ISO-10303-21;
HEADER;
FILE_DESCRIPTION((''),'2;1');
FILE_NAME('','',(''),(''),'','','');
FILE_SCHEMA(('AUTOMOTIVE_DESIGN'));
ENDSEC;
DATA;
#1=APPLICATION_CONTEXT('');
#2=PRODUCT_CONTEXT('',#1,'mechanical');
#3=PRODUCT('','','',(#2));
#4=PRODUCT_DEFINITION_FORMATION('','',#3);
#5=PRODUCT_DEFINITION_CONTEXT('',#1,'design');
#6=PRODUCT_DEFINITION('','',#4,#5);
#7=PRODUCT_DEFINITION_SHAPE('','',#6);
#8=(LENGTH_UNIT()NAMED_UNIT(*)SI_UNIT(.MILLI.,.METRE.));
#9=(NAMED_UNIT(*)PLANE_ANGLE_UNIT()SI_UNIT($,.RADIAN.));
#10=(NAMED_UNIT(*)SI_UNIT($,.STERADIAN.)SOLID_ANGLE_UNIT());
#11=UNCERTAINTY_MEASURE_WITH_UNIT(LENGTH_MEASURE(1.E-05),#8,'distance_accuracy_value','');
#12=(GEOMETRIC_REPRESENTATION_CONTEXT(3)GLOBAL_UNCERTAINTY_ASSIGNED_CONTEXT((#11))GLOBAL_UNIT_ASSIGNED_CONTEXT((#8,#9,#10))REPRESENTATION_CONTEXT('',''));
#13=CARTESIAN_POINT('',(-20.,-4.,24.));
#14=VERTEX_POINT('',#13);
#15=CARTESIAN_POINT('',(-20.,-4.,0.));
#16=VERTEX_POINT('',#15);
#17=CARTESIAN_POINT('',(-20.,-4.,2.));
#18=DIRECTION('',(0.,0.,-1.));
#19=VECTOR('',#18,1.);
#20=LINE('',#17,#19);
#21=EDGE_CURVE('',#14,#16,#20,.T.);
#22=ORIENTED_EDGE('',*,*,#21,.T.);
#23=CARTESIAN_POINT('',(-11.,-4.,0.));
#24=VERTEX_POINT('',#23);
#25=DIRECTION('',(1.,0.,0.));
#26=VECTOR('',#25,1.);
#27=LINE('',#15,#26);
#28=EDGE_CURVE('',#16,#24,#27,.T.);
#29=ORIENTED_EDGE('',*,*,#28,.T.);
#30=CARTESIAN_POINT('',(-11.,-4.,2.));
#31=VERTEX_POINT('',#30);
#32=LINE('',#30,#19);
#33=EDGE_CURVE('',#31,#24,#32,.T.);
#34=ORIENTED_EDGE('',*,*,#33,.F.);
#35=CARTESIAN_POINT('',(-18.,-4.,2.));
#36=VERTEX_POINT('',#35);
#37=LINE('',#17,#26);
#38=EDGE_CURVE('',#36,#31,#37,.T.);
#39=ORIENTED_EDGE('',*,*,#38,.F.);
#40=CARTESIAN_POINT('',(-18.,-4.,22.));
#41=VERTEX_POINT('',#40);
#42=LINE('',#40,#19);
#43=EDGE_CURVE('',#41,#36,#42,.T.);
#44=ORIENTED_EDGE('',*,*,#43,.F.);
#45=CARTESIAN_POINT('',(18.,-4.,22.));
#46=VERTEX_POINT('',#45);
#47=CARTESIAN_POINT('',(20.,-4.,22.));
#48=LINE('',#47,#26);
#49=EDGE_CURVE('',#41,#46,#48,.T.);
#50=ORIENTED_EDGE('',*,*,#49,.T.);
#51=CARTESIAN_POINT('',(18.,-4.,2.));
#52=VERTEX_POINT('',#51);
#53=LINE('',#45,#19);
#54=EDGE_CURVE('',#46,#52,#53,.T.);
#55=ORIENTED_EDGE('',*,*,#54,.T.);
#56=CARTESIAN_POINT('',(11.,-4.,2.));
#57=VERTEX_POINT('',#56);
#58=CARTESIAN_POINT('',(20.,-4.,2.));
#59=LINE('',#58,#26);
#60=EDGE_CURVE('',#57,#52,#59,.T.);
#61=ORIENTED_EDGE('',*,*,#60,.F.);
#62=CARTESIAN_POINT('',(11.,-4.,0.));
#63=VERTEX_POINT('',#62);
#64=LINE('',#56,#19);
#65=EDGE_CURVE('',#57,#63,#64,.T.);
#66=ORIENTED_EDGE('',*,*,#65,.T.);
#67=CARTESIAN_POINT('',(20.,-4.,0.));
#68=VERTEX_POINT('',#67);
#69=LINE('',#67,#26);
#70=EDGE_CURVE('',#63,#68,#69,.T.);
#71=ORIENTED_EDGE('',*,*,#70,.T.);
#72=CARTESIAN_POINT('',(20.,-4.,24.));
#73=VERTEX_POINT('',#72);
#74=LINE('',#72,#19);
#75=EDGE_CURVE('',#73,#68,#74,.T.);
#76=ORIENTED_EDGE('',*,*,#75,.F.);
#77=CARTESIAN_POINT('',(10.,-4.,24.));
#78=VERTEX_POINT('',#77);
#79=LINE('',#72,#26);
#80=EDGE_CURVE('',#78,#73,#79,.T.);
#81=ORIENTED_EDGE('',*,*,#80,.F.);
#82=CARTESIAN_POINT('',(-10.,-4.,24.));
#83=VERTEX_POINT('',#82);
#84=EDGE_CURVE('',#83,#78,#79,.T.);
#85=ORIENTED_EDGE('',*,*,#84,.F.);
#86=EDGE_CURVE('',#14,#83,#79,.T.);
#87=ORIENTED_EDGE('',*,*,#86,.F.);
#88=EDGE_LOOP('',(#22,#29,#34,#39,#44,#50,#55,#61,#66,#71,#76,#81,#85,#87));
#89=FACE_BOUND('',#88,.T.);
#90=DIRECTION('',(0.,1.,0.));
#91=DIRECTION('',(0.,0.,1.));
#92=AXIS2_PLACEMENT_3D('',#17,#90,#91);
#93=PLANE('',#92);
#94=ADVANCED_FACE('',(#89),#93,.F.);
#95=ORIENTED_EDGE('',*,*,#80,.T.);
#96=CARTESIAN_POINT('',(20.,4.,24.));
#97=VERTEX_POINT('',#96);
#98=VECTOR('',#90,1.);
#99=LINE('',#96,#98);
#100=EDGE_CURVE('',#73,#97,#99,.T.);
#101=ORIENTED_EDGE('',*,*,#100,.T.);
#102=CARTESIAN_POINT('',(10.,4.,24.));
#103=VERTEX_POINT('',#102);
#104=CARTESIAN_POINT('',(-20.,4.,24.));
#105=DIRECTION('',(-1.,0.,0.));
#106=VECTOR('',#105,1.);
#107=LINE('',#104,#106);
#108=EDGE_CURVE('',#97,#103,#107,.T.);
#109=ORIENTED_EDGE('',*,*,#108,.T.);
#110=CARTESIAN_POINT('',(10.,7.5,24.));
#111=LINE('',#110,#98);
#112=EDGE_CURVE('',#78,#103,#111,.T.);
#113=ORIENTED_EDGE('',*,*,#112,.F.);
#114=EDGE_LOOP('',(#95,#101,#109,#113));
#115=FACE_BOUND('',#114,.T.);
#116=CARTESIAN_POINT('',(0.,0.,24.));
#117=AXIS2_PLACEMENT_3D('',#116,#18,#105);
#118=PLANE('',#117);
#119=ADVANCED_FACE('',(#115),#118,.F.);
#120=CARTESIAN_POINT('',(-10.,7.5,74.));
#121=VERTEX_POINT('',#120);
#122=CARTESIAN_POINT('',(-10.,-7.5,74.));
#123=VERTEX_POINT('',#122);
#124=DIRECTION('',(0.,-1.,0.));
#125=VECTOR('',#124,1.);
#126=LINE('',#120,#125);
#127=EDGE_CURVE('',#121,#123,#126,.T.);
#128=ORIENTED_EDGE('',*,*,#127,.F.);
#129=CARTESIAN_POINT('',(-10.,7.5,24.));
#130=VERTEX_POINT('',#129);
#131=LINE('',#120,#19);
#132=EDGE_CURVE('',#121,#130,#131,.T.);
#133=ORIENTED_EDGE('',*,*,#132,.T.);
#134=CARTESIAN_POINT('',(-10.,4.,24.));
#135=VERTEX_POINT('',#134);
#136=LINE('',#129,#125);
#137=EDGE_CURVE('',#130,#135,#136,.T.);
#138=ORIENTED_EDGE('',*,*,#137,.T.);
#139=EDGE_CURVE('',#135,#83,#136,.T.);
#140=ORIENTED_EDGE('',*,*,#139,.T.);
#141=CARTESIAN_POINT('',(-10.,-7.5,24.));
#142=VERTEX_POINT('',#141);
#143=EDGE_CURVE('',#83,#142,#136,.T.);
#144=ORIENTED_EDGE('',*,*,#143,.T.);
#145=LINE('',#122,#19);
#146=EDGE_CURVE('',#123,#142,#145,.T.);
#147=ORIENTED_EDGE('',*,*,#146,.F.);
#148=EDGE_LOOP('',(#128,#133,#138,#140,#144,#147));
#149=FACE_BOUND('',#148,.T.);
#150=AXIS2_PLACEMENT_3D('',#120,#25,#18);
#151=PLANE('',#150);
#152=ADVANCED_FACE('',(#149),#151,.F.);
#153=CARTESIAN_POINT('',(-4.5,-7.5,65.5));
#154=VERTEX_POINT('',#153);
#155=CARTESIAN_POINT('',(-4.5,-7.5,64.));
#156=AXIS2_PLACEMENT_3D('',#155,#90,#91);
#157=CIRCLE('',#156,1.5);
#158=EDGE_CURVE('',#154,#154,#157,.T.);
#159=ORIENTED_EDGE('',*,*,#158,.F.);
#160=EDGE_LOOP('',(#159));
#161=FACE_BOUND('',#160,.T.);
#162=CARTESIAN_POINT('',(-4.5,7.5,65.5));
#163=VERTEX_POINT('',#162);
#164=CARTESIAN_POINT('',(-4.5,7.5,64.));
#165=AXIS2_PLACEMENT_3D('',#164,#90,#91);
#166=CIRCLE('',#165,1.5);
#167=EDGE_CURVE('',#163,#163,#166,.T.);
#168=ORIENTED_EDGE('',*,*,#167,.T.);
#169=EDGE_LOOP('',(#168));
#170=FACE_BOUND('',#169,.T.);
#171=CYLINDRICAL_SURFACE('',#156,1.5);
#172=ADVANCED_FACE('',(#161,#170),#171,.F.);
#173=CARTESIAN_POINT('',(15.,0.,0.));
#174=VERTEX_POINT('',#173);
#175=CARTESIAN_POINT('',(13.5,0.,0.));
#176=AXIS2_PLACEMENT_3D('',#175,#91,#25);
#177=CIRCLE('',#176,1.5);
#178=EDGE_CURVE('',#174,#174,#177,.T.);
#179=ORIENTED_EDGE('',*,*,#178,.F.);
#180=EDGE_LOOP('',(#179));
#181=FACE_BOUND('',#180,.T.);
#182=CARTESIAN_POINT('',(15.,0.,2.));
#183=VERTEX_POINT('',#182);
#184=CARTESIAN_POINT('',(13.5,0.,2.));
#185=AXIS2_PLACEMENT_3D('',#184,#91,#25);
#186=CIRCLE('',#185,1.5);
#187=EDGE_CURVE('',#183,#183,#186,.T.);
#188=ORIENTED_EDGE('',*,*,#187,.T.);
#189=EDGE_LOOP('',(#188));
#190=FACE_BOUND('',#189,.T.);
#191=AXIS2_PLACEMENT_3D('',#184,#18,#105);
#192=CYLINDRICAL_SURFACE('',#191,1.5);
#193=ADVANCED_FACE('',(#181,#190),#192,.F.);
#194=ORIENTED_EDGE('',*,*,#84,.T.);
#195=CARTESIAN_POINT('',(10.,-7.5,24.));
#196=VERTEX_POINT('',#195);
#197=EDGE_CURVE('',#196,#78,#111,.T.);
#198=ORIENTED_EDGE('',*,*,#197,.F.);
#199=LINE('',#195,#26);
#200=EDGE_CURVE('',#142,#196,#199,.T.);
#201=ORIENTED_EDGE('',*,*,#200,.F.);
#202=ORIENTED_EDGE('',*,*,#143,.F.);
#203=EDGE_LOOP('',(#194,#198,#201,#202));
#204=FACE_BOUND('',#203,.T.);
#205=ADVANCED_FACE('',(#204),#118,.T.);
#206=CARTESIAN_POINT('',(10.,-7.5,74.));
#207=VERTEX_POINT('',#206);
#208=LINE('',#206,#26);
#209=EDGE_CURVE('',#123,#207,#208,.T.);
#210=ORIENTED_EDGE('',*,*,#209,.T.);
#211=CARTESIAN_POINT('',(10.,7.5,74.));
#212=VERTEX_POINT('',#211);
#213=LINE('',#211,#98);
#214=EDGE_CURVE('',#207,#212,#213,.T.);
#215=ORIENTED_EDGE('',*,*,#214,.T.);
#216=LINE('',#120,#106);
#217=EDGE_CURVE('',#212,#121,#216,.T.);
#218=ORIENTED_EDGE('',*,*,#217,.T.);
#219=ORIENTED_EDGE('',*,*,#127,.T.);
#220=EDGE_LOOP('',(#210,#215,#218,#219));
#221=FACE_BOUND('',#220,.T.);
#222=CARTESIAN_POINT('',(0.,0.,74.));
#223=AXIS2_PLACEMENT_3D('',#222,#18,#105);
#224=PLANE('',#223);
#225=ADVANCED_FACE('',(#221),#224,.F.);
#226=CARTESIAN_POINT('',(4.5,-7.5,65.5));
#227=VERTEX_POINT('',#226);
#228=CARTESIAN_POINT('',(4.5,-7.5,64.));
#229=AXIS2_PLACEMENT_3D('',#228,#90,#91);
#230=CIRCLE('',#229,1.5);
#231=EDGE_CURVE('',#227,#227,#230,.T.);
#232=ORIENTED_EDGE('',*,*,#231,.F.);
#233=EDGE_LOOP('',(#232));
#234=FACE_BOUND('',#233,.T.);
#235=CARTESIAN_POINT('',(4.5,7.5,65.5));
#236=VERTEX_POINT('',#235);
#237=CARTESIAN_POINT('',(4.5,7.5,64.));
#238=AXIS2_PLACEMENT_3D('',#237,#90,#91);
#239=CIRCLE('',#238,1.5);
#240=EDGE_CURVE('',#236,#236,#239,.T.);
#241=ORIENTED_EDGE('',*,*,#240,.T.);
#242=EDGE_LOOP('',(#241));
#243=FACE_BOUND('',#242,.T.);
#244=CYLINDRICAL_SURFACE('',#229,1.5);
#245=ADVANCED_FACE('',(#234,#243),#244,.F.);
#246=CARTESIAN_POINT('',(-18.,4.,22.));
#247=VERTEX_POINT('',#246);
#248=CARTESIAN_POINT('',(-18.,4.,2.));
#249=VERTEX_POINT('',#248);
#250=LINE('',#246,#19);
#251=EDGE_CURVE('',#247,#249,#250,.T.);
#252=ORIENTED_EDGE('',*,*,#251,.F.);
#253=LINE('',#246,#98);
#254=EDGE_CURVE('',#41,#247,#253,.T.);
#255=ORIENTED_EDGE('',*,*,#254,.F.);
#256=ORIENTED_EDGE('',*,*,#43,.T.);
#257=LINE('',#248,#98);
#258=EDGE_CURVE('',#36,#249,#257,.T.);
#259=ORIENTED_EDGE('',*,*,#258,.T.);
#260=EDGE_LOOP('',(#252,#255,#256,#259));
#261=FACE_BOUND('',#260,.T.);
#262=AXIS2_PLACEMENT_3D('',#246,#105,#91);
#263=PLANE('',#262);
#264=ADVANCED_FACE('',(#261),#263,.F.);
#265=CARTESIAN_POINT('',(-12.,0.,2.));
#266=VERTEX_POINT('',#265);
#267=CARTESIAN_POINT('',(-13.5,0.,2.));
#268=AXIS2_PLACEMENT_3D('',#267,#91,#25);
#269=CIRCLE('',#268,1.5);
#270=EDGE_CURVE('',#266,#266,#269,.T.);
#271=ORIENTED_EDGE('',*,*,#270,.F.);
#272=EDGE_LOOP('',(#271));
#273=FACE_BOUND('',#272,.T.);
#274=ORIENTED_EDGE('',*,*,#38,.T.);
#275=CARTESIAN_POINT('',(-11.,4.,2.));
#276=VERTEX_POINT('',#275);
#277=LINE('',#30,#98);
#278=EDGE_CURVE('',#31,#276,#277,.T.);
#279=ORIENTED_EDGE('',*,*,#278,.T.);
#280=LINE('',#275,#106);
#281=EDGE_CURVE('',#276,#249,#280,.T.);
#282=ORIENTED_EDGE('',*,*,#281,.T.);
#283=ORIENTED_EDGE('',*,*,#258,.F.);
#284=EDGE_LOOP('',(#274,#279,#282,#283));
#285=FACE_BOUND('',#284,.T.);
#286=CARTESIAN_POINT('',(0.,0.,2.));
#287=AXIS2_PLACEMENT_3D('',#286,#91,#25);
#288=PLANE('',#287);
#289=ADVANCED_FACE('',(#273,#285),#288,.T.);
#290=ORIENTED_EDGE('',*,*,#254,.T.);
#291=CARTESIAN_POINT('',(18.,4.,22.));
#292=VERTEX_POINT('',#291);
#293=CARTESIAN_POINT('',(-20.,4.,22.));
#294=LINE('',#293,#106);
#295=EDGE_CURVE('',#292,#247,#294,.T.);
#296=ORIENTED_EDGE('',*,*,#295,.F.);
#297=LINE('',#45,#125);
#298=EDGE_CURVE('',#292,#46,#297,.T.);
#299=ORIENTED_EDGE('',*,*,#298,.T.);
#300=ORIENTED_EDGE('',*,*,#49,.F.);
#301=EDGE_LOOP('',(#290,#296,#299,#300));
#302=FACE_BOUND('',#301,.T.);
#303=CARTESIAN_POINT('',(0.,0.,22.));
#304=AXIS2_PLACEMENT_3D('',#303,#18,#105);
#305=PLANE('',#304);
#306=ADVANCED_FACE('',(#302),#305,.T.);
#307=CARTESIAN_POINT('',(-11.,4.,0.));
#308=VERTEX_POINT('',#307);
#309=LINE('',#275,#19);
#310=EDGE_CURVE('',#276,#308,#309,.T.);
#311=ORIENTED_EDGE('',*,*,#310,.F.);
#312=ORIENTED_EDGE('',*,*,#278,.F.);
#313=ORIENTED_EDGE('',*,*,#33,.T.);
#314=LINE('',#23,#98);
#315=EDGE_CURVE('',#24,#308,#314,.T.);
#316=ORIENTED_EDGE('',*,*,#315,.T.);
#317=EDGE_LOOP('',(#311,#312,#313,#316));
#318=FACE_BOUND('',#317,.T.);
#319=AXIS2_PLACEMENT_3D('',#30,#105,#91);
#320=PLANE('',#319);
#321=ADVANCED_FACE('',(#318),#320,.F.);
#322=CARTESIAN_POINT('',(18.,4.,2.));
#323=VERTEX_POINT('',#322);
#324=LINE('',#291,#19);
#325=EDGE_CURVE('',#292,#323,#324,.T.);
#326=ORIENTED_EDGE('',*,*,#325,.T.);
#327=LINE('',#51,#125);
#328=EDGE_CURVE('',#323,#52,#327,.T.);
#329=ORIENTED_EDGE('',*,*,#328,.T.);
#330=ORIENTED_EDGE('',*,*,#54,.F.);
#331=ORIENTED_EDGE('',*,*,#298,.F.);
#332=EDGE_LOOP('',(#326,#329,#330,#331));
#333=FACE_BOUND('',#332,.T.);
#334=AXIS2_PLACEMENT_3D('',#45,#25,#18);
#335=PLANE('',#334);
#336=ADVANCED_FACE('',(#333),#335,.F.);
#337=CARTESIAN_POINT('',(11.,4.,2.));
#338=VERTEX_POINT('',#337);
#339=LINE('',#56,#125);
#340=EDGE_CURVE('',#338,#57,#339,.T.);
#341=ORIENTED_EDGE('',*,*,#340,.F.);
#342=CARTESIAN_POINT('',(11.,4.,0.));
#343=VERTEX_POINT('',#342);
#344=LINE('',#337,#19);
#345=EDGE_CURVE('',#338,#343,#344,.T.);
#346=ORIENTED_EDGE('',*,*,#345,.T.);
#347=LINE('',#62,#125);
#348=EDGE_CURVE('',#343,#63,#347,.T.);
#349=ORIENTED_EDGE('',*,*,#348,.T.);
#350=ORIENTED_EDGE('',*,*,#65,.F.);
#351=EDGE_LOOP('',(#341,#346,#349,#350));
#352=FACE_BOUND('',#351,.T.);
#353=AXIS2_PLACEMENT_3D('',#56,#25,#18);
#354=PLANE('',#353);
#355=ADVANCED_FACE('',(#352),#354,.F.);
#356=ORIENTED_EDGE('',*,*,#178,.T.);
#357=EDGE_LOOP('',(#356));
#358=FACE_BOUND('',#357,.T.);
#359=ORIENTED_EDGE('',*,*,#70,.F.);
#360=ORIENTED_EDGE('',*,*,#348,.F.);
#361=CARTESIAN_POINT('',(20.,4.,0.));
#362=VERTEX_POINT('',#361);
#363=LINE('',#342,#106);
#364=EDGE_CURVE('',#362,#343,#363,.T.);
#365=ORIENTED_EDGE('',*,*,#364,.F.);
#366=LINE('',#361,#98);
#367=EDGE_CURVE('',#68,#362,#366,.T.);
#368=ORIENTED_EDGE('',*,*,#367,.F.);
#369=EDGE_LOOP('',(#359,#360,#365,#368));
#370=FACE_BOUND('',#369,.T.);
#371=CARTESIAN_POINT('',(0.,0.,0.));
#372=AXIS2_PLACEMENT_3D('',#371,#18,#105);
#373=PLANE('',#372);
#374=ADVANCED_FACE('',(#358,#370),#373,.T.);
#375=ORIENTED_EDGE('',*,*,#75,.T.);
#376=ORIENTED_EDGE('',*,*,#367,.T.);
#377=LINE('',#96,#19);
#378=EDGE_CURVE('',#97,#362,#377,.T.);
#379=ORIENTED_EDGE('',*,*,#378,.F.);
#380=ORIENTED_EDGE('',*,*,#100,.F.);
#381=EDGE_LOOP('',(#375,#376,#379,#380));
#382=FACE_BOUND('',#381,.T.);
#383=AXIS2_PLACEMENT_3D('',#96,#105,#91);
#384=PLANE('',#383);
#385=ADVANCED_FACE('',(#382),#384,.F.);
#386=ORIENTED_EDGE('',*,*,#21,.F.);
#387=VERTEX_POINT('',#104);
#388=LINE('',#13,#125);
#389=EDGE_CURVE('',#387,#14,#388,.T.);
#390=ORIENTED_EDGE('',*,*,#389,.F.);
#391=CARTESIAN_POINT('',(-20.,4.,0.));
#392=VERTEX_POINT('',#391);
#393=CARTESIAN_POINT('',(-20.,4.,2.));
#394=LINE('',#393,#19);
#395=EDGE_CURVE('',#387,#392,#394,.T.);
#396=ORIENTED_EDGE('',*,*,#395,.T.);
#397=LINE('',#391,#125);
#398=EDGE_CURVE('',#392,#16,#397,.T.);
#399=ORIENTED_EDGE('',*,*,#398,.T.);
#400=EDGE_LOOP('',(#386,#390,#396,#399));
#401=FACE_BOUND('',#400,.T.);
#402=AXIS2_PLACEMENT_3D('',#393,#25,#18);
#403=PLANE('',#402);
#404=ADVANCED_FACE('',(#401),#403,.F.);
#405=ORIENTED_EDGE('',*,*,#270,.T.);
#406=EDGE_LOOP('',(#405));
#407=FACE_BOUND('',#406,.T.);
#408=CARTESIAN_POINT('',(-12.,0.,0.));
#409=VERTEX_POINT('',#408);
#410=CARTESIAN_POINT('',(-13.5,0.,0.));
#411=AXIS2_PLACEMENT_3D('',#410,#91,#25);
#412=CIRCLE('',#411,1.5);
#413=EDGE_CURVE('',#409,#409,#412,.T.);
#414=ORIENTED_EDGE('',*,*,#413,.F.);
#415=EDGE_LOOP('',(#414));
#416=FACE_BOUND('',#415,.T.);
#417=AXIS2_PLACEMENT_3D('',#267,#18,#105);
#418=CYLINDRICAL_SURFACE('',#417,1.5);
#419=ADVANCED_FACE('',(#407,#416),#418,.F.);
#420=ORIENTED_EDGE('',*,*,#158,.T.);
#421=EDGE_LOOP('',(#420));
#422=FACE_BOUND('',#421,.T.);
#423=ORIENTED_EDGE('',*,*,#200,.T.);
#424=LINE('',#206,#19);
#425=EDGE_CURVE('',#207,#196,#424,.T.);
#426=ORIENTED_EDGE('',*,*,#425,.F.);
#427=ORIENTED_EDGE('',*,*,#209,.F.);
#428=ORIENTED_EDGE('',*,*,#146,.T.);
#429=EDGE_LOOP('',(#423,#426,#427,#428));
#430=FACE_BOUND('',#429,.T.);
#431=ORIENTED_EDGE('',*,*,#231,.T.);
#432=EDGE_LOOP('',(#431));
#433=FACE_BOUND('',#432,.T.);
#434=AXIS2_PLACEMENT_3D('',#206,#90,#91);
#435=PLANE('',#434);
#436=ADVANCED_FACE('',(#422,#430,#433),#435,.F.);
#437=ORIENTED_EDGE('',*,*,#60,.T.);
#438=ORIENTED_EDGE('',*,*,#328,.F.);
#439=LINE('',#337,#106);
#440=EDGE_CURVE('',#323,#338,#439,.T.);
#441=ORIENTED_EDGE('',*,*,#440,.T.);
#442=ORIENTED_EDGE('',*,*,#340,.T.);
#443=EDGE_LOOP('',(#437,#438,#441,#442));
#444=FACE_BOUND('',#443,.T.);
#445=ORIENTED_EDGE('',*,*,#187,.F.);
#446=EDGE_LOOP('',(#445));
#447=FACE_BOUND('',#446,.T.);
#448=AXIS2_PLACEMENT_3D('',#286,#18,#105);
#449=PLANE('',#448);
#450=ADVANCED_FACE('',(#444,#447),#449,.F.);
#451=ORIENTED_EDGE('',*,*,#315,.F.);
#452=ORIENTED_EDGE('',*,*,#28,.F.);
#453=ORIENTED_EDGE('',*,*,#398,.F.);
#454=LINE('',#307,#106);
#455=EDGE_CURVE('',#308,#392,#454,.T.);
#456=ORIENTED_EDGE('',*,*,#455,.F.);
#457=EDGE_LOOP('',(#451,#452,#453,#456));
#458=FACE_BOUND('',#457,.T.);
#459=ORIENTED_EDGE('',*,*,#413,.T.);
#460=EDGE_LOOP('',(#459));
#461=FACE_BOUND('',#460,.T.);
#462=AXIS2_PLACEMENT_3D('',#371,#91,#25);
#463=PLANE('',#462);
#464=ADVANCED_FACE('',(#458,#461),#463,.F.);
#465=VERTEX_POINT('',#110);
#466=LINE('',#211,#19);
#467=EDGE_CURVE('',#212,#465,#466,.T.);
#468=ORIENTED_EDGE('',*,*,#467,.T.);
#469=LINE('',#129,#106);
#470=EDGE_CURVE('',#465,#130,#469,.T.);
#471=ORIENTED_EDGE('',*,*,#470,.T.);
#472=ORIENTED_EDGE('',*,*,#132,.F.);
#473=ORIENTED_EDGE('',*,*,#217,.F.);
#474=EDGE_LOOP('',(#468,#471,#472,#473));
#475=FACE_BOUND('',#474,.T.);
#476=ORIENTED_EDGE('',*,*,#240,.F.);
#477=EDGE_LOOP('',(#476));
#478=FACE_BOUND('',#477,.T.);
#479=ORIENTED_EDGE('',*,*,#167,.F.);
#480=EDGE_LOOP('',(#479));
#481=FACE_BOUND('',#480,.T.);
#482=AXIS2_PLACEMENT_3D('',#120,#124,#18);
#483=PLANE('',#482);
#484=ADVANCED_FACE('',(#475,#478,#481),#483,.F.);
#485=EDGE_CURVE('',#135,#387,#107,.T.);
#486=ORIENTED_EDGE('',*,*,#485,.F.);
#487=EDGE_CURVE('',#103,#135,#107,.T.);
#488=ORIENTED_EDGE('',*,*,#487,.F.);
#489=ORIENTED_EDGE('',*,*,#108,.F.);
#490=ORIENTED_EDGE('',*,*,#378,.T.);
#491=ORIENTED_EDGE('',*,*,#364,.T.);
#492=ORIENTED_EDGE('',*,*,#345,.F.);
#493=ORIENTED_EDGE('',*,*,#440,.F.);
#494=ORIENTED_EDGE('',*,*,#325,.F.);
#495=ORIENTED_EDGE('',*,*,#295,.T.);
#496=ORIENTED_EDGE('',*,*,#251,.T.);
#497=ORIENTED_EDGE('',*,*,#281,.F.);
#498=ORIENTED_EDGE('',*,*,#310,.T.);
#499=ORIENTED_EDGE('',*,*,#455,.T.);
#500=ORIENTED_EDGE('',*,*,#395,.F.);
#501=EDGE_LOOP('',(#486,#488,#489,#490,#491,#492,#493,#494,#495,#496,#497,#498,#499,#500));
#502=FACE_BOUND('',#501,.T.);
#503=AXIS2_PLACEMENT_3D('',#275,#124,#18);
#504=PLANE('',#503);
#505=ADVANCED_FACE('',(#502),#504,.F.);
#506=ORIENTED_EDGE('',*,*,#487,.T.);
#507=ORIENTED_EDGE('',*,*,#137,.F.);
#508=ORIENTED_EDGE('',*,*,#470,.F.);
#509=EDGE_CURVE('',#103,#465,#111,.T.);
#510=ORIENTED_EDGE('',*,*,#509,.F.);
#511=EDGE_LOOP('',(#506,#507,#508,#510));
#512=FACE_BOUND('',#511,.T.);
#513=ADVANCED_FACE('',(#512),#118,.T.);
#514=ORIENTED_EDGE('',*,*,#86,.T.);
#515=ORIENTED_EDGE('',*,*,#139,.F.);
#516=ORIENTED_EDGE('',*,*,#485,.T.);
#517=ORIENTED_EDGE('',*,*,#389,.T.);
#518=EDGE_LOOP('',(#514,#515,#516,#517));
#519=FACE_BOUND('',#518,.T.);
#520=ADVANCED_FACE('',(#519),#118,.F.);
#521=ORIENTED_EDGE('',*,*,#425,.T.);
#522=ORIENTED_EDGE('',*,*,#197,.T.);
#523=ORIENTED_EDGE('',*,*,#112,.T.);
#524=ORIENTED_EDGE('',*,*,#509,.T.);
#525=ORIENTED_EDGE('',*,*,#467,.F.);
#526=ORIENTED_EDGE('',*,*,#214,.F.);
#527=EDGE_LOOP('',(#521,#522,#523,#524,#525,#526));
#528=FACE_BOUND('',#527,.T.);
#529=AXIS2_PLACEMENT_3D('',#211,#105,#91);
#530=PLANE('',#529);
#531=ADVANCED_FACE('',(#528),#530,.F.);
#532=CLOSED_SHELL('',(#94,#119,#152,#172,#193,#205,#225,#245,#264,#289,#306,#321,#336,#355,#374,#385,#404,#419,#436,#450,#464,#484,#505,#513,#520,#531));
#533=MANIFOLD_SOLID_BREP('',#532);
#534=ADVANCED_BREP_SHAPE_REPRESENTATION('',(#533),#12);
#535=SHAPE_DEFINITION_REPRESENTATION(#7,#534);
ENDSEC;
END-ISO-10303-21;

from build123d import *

# Parameters (mm, degrees)
SKETCH_8_W          = 9
SKETCH_8_H          = 8
SKETCH_8_R          = 1.5
EXTRUDE_1_DEPTH     = 2
EXTRUDE_1_2_DEPTH   = 2
SKETCH_9_W          = 2
SKETCH_9_H          = 8
EXTRUDE_2_DEPTH     = 20
SKETCH_10_W         = 40
SKETCH_10_H         = 8
EXTRUDE_3_DEPTH     = 2
SKETCH_11_W         = 20
SKETCH_11_H         = 15
EXTRUDE_4_DEPTH     = 50
SKETCH_12_R         = 1.5
CUT_EXTRUDE_1_DEPTH = 79.108898341


with BuildPart() as part:
    # Эскиз8 → Бобышка-Вытянуть1 (new body)
    with BuildSketch(Plane.XY):
        with Locations((-15.5, 0)):
            Rectangle(SKETCH_8_W, SKETCH_8_H)
        with Locations((-13.5, 0)):
            Circle(SKETCH_8_R, mode=Mode.SUBTRACT)
    extrude(amount=EXTRUDE_1_DEPTH)



with BuildPart() as body_2:
    # Эскиз8 → Extrude 1 2 (new body)
    with BuildSketch(Plane.XY):
        with Locations((15.5, 0)):
            Rectangle(SKETCH_8_W, SKETCH_8_H)
        with Locations((13.5, 0)):
            Circle(SKETCH_8_R, mode=Mode.SUBTRACT)
    extrude(amount=EXTRUDE_1_2_DEPTH)


with BuildPart() as part_1:
    add(part.part)

    add(body_2.part)  # Бобышка-Вытянуть2 merges body 2
    # Эскиз9 → Бобышка-Вытянуть2 (add)
    with BuildSketch(Plane.XY.offset(2)):
        with Locations((-19, 0)):
            Rectangle(SKETCH_9_W, SKETCH_9_H)
        with Locations((19, 0)):
            Rectangle(SKETCH_9_W, SKETCH_9_H)
    extrude(amount=EXTRUDE_2_DEPTH)

    # Эскиз10 → Бобышка-Вытянуть3 (add)
    with BuildSketch(Plane.XY.offset(22)):
        Rectangle(SKETCH_10_W, SKETCH_10_H)
    extrude(amount=EXTRUDE_3_DEPTH)

    # Эскиз11 → Бобышка-Вытянуть4 (add)
    with BuildSketch(Plane.XY.offset(24)):
        Rectangle(SKETCH_11_W, SKETCH_11_H)
    extrude(amount=EXTRUDE_4_DEPTH)

    # Эскиз12 → Вырез-Вытянуть1 (cut, through all)
    with BuildSketch(Plane(origin=(0, 7.5, 0), x_dir=(1, 0, 0), z_dir=(0, 1, 0))):
        with Locations(Location((-4.5, -64, 0), (0, 0, 270))):
            Circle(SKETCH_12_R)
        with Locations(Location((4.5, -64, 0), (0, 0, 270))):
            Circle(SKETCH_12_R)
    extrude(amount=-CUT_EXTRUDE_1_DEPTH, mode=Mode.SUBTRACT)


solid = part_1.part
